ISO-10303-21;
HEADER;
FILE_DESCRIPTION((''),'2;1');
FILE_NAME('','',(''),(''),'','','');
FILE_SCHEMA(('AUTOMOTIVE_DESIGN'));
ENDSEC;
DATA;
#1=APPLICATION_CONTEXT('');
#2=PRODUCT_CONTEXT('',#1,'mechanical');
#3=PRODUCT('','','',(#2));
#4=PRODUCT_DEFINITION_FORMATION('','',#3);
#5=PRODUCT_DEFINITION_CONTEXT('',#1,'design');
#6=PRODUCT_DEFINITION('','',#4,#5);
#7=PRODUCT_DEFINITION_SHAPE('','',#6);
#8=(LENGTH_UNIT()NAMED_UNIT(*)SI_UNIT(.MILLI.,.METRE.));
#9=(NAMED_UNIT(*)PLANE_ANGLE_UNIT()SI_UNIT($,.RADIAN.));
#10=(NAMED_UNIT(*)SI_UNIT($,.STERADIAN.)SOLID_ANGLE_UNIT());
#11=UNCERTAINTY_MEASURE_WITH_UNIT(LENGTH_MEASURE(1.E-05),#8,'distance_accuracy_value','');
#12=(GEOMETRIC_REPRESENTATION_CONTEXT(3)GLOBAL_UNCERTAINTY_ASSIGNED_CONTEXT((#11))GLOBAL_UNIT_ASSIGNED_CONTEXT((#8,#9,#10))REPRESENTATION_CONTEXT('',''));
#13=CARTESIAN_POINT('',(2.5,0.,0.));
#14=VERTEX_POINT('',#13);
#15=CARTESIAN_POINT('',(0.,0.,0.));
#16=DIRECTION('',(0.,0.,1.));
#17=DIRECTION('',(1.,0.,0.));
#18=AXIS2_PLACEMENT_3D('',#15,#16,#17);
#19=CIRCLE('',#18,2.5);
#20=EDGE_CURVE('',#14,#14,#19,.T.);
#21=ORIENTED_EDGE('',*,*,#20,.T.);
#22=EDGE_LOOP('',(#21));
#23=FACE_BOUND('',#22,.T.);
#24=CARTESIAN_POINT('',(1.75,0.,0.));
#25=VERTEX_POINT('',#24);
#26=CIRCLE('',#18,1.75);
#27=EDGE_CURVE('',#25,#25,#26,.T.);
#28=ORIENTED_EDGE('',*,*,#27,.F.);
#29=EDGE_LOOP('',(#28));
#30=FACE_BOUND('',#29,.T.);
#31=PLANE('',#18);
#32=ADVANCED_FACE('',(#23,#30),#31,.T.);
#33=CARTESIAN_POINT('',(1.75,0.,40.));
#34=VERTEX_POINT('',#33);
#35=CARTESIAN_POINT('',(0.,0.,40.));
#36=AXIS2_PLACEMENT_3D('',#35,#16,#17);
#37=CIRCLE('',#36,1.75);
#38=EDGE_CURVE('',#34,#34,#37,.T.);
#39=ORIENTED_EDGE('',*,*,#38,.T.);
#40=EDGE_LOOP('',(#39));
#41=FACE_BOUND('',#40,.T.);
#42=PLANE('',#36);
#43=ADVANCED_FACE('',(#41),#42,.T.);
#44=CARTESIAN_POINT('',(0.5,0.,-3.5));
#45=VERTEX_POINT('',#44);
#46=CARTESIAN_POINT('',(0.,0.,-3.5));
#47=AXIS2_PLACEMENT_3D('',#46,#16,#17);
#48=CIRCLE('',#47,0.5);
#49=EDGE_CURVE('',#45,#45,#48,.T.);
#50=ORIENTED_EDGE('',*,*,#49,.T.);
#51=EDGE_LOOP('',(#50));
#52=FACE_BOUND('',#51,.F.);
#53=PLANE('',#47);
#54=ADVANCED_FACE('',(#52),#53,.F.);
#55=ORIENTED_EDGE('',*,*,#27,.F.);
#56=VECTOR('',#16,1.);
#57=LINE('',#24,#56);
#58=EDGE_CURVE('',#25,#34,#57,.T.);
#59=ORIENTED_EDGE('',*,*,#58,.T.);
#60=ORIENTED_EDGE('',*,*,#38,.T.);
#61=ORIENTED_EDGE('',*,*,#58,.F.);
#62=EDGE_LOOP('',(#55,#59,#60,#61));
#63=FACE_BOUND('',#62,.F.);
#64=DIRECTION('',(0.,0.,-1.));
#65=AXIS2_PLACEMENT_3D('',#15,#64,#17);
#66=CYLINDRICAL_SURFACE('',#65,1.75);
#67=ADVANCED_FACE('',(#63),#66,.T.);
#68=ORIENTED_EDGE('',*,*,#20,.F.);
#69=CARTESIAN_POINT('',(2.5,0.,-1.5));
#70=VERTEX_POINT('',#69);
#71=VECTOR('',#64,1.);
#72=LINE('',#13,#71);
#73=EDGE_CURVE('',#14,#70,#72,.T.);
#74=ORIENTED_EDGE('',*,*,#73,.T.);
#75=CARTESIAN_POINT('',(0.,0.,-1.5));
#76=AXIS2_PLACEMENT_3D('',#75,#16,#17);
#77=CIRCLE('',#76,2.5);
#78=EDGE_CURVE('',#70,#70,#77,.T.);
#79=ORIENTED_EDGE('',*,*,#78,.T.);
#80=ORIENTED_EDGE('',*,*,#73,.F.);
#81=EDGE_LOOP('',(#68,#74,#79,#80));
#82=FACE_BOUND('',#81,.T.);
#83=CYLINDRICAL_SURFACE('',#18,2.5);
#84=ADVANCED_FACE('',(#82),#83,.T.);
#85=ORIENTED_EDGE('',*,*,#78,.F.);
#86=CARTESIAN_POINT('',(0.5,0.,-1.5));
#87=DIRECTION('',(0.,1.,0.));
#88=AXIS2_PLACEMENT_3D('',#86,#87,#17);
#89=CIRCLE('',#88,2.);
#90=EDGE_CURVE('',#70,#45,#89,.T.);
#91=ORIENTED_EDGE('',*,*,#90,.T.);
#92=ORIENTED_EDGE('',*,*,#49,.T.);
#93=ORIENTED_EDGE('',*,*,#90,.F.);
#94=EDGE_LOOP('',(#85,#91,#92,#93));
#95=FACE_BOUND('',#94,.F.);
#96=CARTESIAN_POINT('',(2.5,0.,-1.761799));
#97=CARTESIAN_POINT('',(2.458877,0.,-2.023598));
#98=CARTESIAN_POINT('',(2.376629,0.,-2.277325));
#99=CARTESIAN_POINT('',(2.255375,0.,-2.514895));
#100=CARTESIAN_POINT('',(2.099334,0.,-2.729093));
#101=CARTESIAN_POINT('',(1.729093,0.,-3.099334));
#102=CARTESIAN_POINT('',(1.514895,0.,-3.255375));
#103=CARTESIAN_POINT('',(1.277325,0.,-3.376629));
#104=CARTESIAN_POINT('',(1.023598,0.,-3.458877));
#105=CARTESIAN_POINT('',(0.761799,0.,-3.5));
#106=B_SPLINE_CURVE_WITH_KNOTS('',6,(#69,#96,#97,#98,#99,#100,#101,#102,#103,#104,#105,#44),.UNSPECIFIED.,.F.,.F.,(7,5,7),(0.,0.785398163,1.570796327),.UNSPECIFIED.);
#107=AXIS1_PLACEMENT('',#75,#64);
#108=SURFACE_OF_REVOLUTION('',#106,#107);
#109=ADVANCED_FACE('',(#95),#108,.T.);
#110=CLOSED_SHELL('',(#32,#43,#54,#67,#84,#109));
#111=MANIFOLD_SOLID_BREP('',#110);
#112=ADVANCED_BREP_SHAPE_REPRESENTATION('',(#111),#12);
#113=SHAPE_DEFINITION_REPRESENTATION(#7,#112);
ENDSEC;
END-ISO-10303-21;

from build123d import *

# Parameters (mm, degrees)
F0_R     = 1.75
F1_DEPTH = 40
F0_R_2   = 2.5
F2_DEPTH = 3.5
F3_R     = 2


with BuildPart() as f1:
    # F0 (on Top) → F1 (new body)
    with BuildSketch(Plane.XY):
        Circle(F0_R)
    extrude(amount=F1_DEPTH)

    # F0 (on Top) → F2 (join)
    with BuildSketch(Plane.XY):
        Circle(F0_R_2)
        Circle(F0_R, mode=Mode.SUBTRACT)
        Circle(F0_R)
    extrude(amount=-F2_DEPTH)

    # F3
    f3_edges = [f1.edges().sort_by_distance(p)[0] for p in [
        (-2.5, 0, -3.5),
    ]]
    fillet(f3_edges, radius=F3_R)


solid = f1.part
